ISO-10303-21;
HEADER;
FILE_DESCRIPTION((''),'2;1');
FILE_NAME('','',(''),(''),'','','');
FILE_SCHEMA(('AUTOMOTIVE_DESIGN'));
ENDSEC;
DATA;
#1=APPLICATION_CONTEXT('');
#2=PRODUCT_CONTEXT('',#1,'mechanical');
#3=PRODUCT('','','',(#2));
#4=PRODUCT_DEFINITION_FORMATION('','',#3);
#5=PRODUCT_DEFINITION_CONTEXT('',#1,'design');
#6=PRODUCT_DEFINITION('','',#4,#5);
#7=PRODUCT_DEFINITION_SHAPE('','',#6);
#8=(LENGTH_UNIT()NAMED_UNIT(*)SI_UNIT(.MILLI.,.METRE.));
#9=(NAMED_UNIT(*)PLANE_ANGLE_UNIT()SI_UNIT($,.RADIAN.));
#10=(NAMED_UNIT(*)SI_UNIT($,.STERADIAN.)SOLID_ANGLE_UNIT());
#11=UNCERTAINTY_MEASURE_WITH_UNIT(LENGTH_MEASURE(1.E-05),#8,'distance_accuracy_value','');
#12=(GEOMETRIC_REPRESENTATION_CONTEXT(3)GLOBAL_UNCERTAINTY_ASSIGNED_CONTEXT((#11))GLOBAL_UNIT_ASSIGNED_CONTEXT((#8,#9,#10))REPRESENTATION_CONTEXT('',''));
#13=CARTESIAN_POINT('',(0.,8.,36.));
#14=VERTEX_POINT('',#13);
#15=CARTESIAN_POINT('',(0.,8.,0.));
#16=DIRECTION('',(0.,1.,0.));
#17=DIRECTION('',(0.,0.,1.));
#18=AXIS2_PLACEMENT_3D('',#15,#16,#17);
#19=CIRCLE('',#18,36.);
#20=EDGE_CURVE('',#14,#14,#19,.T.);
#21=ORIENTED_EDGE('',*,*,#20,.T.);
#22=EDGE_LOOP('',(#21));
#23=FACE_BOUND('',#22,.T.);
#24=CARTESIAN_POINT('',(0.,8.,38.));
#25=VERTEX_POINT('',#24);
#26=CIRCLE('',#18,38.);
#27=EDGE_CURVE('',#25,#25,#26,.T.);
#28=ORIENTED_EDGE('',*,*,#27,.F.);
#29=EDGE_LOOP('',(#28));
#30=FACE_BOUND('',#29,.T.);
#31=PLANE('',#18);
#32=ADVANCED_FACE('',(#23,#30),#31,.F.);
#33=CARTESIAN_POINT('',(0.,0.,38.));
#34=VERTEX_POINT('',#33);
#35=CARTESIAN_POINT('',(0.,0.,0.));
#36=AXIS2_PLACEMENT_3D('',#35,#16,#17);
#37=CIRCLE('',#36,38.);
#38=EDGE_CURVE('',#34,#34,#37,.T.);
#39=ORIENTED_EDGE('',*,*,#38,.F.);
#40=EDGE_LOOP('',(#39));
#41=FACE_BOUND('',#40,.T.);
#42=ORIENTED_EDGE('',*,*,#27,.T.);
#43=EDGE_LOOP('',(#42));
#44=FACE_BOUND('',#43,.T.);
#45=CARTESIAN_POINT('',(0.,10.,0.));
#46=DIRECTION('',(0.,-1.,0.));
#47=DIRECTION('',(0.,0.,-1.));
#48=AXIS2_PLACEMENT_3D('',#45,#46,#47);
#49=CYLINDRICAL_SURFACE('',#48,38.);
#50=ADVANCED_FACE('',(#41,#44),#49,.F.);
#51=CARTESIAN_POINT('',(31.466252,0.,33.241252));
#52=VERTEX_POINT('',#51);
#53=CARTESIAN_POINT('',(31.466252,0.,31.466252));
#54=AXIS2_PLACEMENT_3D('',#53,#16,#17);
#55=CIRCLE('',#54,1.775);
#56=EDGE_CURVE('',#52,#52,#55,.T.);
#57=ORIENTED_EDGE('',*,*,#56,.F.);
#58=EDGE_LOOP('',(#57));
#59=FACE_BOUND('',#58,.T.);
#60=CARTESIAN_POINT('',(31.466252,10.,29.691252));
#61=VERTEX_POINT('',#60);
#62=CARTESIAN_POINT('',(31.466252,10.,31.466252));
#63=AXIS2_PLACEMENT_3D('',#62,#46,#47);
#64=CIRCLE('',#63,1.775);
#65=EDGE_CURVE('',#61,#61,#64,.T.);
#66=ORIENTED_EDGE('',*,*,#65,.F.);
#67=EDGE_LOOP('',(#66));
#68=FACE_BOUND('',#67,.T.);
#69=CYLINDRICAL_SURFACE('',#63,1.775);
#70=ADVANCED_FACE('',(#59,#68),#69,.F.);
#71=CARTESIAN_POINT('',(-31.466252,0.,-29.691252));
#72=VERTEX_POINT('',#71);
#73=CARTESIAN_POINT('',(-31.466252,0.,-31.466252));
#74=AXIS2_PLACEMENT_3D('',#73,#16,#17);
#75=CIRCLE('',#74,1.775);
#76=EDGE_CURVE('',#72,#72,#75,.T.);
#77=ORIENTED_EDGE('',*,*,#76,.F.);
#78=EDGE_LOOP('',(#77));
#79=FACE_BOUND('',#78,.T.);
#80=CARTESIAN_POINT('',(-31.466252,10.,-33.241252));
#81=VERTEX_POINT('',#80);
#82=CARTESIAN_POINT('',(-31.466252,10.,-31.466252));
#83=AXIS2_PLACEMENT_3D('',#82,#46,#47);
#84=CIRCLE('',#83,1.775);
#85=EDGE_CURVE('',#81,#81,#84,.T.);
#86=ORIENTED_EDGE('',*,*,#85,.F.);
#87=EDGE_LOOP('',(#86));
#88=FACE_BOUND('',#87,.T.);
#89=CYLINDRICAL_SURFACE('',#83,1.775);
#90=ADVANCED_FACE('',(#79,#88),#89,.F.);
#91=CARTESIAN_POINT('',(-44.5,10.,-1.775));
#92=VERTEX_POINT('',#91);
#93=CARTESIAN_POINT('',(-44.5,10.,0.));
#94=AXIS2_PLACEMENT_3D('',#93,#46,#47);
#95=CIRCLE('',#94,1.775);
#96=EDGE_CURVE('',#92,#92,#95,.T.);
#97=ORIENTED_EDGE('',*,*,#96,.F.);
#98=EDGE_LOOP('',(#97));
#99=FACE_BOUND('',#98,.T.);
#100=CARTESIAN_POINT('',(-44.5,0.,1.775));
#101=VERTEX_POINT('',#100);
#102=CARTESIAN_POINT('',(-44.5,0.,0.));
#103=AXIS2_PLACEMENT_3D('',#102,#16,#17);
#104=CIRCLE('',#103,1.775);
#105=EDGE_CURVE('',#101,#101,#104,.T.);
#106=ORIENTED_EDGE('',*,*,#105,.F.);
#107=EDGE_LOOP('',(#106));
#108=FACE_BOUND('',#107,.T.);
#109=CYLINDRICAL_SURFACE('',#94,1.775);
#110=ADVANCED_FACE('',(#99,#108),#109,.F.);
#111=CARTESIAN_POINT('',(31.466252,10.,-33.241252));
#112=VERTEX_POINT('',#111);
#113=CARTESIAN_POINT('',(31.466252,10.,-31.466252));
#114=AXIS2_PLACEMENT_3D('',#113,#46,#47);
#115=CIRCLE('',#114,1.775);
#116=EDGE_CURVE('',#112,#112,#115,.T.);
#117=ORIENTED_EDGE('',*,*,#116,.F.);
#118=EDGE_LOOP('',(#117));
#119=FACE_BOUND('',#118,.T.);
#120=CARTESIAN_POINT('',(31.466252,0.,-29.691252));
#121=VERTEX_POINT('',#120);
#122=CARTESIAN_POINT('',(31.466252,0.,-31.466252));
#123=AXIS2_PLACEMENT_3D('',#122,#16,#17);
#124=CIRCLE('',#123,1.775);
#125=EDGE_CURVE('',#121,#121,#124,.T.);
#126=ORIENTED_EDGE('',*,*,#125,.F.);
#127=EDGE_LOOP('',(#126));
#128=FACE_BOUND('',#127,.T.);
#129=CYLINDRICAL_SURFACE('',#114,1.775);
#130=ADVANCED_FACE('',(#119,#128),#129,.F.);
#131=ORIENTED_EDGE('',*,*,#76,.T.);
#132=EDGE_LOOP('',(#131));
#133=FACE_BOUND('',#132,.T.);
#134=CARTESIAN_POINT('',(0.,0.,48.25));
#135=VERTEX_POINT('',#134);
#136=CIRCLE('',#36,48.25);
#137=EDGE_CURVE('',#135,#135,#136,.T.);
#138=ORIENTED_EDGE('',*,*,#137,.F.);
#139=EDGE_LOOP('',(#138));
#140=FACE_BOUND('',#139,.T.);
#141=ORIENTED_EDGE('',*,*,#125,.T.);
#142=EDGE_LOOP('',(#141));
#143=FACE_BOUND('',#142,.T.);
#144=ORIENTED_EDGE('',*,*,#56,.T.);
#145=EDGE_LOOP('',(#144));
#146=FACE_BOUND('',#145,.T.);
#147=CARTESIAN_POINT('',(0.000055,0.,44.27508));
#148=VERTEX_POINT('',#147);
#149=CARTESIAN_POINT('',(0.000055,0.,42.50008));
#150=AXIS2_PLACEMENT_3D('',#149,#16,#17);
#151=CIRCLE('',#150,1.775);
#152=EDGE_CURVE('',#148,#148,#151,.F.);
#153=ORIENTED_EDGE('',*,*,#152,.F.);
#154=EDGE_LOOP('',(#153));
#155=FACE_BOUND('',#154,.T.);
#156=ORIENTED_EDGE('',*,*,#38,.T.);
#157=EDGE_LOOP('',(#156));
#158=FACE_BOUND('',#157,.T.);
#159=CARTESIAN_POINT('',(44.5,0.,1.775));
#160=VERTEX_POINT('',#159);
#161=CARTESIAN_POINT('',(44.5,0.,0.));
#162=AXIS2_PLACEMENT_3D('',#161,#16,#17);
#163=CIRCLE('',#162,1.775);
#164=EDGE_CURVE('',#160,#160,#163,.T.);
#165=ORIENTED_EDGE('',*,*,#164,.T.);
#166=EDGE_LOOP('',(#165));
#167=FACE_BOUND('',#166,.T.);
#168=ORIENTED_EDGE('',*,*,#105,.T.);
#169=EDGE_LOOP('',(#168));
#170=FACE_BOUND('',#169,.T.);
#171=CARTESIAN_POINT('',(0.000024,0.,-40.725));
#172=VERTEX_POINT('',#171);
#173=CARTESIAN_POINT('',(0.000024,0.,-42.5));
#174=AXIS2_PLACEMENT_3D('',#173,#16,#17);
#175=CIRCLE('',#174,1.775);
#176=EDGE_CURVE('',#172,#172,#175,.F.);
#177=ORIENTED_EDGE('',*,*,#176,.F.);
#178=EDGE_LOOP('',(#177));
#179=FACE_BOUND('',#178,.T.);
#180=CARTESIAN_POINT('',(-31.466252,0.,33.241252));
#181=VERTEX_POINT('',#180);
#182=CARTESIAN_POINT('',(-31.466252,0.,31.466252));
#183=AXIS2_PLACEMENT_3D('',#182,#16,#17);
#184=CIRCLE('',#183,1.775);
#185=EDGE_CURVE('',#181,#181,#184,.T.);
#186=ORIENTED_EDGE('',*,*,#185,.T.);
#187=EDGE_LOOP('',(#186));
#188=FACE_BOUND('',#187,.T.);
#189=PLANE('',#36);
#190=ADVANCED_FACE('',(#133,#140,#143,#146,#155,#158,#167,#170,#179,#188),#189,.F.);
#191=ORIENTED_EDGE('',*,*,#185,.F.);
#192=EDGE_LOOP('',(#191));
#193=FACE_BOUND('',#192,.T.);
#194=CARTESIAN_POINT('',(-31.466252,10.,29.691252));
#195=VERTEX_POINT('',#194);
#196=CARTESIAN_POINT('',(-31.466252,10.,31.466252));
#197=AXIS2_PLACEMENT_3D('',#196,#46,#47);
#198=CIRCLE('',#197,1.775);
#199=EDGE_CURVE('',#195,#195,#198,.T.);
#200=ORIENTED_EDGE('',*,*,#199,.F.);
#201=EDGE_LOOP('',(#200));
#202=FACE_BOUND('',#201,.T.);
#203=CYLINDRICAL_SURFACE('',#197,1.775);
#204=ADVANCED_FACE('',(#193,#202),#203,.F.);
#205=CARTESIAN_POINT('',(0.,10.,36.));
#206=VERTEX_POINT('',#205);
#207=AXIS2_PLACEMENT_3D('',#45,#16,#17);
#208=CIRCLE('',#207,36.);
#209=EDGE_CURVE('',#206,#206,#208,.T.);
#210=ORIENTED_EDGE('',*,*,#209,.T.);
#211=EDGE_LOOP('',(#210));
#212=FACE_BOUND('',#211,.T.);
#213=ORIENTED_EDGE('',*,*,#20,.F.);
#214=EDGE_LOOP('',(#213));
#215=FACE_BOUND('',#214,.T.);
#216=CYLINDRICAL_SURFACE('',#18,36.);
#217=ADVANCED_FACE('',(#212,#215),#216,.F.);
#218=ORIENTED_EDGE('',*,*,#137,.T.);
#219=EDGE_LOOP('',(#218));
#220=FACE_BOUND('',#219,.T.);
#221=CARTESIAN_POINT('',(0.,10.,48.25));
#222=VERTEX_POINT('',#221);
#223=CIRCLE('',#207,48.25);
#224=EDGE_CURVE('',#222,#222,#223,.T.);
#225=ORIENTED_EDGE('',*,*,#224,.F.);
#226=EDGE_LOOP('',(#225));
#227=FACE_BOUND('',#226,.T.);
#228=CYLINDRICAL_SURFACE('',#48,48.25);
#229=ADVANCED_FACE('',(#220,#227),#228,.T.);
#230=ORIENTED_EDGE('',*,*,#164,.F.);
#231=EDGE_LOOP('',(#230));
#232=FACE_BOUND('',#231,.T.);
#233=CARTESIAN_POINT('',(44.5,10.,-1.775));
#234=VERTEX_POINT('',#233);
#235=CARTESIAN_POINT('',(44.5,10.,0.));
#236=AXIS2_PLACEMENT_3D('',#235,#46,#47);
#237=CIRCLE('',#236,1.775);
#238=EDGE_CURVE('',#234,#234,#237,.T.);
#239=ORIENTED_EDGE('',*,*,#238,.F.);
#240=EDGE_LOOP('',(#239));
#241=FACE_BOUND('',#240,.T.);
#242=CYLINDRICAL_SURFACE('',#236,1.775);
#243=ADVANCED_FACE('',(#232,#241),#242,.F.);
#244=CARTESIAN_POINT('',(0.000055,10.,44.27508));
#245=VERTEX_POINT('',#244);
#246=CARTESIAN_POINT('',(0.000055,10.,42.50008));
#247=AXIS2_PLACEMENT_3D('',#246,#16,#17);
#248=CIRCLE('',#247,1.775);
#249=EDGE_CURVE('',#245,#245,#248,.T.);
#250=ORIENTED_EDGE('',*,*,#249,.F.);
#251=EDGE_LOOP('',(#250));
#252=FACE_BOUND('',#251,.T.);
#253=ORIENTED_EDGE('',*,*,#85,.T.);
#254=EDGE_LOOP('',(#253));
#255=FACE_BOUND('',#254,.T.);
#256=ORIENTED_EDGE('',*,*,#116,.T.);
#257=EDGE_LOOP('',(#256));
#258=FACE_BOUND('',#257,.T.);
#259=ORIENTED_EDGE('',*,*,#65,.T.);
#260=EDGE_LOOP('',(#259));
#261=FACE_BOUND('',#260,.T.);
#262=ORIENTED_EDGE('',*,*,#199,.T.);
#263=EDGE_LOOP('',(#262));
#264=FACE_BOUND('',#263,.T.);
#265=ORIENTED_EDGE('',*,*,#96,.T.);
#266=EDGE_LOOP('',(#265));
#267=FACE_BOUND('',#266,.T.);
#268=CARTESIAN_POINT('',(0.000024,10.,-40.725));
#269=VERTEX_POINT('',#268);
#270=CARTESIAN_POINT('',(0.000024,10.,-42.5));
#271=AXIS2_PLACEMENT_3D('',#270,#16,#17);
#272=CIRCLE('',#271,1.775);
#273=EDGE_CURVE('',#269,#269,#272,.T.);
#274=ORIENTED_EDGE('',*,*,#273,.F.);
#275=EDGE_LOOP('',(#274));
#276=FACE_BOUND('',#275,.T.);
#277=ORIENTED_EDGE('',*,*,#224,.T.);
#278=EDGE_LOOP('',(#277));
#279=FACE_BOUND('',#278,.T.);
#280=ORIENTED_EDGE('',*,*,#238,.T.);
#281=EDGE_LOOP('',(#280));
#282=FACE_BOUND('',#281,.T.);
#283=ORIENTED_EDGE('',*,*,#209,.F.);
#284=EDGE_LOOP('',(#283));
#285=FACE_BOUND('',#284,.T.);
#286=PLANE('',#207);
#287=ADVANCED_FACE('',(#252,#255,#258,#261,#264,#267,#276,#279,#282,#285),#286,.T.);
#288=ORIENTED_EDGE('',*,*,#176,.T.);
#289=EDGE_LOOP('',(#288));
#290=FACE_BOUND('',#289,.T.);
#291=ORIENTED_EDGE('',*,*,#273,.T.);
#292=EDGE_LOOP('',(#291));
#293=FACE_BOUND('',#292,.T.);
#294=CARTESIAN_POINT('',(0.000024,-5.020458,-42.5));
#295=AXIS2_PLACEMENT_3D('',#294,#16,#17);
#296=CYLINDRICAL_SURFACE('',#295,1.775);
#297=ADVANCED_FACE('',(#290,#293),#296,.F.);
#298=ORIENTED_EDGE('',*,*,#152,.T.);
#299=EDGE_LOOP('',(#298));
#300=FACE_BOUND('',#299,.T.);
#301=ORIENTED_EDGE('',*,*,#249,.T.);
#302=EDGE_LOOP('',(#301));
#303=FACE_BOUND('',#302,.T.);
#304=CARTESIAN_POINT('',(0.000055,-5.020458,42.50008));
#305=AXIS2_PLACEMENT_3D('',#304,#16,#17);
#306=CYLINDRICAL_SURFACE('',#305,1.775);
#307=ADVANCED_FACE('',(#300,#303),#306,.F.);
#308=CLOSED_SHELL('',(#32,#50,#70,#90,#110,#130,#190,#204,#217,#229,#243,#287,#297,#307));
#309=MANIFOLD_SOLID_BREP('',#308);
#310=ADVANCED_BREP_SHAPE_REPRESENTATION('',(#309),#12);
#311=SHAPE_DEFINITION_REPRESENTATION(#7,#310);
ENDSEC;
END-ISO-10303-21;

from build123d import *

# Parameters (mm, degrees)
SKETCH_1_R               = 48.25
SKETCH_1_R_2             = 38
EXTRUDE_1_DEPTH          = 10
SKETCH_2_R               = 38
SKETCH_2_R_2             = 36
EXTRUDE_2_DEPTH          = 2
SKETCH_3_R               = 1.775
CUT_EXTRUDE_1_DEPTH      = 1
CUT_EXTRUDE_1_DEPTH_BACK = 11
SKETCH_4_R               = 2
EXTRUDE_3_DEPTH          = 10
SKETCH_5_R               = 1.775
CUT_EXTRUDE_2_DEPTH      = 10


with BuildPart() as part:
    # 草图1 → 凸台-拉伸1 (new body)
    with BuildSketch(Plane(origin=(0, 0, 0), x_dir=(1, 0, 0), z_dir=(0, 1, 0))):
        Circle(SKETCH_1_R)
        Circle(SKETCH_1_R_2, mode=Mode.SUBTRACT)
    extrude(amount=EXTRUDE_1_DEPTH)

    # 草图2 → 凸台-拉伸2 (add)
    with BuildSketch(Plane(origin=(0, 10, 0), x_dir=(1, 0, 0), z_dir=(0, 1, 0))):
        Circle(SKETCH_2_R)
        Circle(SKETCH_2_R_2, mode=Mode.SUBTRACT)
    extrude(amount=-EXTRUDE_2_DEPTH)

    # 草图3 → 切除-拉伸1 (cut, two sides)
    with BuildSketch(Plane.XZ) as cut_extrude_1_sk:
        with Locations((0, 44.5)):
            Circle(SKETCH_3_R)
        with Locations((31.466251763, 31.466251763)):
            Circle(SKETCH_3_R)
        with Locations((44.5, 0)):
            Circle(SKETCH_3_R)
        with Locations((31.466251763, -31.466251763)):
            Circle(SKETCH_3_R)
        with Locations((0, -44.5)):
            Circle(SKETCH_3_R)
        with Locations((-31.466251763, -31.466251763)):
            Circle(SKETCH_3_R)
        with Locations((-44.5, 0)):
            Circle(SKETCH_3_R)
        with Locations((-31.466251763, 31.466251763)):
            Circle(SKETCH_3_R)
    extrude(amount=CUT_EXTRUDE_1_DEPTH, mode=Mode.SUBTRACT)
    extrude(cut_extrude_1_sk.sketch, amount=-CUT_EXTRUDE_1_DEPTH_BACK, mode=Mode.SUBTRACT)

    # 草图4 → 凸台-拉伸3 (add)
    with BuildSketch(Plane(origin=(0, 10, 0), x_dir=(1, 0, 0), z_dir=(0, 1, 0))):
        with Locations((0, -44.5)):
            Circle(SKETCH_4_R)
        with Locations((0, 44.5)):
            Circle(SKETCH_4_R)
    extrude(amount=-EXTRUDE_3_DEPTH)

    # 草图5 → 切除-拉伸2 (cut)
    with BuildSketch(Plane(origin=(0, 10, 0), x_dir=(1, 0, 0), z_dir=(0, 1, 0))):
        with Locations((5.5258e-05, -42.50007959)):
            Circle(SKETCH_5_R)
        with Locations((2.4326e-05, 42.499999999)):
            Circle(SKETCH_5_R)
    extrude(amount=-CUT_EXTRUDE_2_DEPTH, mode=Mode.SUBTRACT)


solid = part.part
